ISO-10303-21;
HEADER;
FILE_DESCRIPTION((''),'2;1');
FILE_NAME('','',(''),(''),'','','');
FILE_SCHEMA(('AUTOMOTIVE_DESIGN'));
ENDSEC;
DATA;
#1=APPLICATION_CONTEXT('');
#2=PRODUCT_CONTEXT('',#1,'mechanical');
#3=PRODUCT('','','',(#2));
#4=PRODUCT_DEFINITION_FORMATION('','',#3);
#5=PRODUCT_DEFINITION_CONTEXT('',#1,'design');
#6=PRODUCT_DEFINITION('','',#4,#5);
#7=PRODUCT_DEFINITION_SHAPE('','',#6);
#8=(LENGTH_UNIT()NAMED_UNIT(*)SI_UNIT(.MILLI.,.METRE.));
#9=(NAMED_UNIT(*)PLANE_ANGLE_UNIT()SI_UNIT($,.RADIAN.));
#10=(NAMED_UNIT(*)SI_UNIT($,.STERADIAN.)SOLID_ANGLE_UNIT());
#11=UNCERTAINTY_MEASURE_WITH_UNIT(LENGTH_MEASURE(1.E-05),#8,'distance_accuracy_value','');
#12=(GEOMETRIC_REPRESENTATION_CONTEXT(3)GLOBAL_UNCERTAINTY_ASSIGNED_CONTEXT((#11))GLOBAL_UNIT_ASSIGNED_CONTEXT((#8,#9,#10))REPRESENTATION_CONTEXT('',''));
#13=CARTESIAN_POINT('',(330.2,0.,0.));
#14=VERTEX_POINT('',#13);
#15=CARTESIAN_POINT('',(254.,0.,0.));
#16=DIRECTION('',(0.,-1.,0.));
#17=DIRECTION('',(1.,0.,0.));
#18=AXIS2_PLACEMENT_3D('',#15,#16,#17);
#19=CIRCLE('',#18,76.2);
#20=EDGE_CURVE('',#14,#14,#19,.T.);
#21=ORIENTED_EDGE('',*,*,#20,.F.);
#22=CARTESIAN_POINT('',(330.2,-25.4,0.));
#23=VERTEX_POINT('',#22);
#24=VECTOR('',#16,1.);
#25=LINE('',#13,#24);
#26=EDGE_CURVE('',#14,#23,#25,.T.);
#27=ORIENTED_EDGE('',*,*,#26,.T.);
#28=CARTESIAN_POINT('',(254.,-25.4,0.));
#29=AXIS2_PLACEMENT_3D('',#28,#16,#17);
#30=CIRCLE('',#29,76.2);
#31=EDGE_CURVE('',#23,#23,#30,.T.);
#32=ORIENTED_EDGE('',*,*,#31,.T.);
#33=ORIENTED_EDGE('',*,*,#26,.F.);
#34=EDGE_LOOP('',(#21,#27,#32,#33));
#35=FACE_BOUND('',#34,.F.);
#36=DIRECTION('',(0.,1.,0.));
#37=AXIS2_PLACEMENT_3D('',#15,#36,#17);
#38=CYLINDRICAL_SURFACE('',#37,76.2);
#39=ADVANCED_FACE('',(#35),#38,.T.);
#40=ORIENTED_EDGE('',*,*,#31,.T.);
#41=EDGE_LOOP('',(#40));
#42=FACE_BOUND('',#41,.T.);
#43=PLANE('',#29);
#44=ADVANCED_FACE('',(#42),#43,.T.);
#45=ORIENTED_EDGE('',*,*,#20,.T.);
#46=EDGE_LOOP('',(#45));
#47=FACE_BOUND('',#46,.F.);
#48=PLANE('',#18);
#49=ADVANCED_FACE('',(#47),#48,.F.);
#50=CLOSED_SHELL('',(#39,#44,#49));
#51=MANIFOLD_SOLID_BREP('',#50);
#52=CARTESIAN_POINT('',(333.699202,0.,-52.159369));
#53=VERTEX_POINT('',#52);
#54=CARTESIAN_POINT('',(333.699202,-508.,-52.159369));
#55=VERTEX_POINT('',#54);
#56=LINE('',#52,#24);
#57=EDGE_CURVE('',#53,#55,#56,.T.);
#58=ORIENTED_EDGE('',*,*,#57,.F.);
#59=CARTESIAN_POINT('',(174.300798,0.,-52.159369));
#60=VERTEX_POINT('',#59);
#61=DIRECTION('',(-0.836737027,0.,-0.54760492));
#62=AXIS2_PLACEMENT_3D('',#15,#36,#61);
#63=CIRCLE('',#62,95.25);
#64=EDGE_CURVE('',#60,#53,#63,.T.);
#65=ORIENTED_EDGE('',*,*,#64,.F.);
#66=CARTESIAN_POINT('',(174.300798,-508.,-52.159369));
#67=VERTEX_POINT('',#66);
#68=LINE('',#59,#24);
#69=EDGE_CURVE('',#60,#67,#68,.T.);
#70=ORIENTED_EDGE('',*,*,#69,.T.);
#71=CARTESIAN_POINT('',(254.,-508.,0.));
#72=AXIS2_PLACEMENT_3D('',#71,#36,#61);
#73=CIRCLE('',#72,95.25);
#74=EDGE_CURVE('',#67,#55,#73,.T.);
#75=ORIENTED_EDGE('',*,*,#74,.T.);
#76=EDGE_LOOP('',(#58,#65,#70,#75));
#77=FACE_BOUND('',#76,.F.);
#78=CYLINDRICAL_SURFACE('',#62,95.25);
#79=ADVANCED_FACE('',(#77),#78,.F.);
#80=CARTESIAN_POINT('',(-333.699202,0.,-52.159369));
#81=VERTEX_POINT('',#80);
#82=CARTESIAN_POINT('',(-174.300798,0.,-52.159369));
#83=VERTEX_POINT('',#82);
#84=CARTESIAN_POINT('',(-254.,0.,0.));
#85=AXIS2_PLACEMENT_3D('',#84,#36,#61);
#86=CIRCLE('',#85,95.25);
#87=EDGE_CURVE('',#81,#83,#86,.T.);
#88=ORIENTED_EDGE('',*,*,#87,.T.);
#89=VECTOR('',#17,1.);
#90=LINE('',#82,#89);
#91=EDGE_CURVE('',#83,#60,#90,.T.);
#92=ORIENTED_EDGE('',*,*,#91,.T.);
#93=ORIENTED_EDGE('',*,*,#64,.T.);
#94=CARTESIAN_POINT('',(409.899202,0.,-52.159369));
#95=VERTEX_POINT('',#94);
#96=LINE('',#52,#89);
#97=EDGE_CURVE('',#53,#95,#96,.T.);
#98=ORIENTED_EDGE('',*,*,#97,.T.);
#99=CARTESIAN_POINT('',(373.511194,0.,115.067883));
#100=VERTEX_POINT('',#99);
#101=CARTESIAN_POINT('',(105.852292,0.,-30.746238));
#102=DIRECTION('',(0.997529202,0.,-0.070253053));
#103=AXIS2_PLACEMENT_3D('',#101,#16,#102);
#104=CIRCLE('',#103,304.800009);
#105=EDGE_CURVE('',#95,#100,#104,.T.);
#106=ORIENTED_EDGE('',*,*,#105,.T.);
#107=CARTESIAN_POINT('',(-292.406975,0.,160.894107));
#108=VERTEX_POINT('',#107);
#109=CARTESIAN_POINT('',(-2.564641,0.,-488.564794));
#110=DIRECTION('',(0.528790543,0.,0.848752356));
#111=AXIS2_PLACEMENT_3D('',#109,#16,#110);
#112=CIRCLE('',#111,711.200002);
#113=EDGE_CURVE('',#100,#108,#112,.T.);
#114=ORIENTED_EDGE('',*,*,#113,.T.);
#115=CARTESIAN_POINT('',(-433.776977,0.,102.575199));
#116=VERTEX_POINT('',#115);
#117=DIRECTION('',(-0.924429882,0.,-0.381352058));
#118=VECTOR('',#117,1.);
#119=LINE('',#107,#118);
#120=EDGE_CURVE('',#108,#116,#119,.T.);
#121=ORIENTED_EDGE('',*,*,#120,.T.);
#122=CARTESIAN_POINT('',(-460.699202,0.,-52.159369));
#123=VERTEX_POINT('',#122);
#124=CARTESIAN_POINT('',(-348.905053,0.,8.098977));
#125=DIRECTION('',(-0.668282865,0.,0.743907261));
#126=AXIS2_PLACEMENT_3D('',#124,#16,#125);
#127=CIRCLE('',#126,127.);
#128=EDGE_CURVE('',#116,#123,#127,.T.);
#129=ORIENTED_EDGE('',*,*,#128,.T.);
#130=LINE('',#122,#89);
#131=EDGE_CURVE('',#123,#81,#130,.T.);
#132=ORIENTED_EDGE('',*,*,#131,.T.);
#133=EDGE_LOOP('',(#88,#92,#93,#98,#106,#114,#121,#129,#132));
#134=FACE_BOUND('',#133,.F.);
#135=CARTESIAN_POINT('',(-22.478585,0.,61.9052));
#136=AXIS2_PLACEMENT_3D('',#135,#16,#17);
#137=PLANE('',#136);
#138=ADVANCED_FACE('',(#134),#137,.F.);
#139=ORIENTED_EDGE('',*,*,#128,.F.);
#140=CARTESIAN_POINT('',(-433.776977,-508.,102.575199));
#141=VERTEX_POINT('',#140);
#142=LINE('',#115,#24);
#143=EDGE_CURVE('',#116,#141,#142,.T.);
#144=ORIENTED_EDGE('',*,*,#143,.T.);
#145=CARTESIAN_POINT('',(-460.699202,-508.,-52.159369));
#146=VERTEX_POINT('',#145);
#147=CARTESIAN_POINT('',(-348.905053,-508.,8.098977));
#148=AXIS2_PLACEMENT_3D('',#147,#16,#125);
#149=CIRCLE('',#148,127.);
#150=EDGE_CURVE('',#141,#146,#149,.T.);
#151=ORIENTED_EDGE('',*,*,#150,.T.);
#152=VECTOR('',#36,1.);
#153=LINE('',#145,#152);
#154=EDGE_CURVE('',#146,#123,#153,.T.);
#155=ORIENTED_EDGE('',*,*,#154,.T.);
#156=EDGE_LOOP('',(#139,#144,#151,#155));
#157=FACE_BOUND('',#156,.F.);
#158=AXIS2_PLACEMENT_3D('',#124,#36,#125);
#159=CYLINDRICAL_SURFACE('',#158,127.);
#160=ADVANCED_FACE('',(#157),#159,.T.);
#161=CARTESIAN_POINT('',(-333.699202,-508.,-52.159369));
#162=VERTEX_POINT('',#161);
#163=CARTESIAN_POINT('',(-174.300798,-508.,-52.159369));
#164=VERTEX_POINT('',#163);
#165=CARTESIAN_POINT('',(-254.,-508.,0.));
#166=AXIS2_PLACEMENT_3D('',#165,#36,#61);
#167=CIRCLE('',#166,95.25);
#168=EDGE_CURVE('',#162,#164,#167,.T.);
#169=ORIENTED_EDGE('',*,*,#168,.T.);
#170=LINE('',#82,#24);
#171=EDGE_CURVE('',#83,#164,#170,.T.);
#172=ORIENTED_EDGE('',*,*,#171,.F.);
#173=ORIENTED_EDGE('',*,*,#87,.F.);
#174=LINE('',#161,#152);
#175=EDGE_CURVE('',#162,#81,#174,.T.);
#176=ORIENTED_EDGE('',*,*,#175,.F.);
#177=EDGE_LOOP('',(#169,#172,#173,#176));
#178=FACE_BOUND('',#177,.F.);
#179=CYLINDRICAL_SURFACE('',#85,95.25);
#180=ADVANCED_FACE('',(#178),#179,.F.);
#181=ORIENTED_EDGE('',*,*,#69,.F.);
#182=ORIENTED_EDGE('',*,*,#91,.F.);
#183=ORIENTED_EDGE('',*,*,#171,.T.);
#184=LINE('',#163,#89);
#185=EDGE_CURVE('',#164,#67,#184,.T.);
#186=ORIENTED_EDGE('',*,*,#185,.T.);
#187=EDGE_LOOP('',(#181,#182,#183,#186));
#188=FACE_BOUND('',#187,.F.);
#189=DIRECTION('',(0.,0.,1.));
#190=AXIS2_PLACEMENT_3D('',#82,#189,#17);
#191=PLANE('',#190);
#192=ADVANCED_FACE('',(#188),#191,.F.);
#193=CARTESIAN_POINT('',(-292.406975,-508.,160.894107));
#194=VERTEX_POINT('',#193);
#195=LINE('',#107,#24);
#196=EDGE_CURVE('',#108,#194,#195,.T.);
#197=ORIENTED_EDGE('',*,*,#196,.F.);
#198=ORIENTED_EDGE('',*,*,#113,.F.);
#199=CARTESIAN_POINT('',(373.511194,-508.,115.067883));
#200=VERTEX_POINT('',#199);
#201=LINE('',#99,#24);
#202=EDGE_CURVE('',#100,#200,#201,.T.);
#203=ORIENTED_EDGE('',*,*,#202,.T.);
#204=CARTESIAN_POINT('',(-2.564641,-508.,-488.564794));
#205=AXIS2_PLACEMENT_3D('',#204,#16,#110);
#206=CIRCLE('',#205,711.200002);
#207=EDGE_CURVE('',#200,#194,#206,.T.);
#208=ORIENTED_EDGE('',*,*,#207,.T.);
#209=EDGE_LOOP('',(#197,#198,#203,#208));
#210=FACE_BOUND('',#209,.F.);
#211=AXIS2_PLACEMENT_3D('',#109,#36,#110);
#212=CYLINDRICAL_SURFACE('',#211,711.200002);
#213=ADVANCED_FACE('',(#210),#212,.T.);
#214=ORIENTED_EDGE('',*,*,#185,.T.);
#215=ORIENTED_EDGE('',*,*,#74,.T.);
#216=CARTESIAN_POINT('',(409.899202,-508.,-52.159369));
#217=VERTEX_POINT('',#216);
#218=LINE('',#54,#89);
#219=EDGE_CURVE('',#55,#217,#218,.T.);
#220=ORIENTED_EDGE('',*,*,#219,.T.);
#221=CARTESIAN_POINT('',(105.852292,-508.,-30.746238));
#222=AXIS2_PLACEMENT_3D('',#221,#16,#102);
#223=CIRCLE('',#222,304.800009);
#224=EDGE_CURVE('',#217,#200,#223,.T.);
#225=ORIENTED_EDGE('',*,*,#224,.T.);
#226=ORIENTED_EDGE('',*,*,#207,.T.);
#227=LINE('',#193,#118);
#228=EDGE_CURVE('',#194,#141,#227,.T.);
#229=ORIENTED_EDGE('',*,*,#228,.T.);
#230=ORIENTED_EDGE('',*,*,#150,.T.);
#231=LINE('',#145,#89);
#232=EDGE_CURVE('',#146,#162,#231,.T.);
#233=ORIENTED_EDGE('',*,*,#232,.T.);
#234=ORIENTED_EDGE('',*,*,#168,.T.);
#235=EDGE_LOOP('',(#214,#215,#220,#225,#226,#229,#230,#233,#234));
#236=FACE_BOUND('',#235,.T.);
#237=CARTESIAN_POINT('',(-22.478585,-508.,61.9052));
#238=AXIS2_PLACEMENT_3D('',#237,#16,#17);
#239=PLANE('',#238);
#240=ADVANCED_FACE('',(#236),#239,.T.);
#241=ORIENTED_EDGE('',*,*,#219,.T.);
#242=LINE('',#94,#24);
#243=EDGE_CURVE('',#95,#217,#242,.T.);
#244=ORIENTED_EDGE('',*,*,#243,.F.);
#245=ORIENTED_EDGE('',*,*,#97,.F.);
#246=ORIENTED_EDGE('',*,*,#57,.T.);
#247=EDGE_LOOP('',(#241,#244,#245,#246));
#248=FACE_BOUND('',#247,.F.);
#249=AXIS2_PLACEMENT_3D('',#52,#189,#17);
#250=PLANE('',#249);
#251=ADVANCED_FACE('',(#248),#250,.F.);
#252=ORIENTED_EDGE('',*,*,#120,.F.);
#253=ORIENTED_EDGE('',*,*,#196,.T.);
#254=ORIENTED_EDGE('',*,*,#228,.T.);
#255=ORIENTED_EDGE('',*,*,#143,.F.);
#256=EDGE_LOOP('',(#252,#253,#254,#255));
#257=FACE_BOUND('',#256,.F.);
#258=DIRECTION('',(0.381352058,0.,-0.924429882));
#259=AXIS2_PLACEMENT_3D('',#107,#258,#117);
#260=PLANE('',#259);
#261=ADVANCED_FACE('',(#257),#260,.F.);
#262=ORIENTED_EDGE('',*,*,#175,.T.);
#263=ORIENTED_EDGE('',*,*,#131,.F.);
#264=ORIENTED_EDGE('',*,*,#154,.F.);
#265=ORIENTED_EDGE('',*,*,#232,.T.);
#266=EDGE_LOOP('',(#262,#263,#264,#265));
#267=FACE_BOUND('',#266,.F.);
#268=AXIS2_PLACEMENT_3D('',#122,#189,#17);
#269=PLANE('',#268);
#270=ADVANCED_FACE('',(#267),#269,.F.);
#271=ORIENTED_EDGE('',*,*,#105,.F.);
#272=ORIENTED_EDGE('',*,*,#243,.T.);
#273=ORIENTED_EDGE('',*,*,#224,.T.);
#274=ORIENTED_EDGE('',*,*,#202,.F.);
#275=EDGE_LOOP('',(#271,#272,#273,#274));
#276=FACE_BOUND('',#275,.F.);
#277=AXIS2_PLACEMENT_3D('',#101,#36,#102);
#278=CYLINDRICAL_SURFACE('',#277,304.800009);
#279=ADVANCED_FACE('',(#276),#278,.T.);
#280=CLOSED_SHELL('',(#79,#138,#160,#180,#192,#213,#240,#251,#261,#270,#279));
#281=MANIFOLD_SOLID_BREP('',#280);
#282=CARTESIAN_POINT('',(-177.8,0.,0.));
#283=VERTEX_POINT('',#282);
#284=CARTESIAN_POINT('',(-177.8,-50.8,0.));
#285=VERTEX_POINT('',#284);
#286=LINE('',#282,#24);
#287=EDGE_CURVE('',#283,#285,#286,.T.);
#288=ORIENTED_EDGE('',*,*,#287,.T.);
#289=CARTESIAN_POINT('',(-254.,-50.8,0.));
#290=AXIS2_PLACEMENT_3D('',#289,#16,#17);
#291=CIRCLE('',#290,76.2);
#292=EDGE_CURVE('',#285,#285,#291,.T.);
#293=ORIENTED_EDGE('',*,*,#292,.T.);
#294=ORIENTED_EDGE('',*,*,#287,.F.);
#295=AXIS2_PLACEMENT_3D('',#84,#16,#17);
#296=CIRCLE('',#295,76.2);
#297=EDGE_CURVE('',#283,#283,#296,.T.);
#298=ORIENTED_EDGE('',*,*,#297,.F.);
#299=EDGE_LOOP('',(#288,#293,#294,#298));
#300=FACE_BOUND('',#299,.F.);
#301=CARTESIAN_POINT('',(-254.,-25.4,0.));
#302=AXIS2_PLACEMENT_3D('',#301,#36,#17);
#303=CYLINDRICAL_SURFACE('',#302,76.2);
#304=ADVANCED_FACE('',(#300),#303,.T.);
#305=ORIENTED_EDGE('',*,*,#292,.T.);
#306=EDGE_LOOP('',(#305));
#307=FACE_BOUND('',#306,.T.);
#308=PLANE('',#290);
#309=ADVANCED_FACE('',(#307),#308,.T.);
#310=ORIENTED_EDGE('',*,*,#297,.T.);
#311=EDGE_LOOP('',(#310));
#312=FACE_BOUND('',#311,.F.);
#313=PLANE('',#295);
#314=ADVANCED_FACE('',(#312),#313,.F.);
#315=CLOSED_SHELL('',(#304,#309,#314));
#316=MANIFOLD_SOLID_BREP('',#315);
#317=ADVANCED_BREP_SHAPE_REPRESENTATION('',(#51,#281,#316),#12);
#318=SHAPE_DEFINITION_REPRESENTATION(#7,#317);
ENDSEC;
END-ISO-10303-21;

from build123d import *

# Parameters (mm, degrees)
F1_DEPTH = 508
F0_R     = 76.2
F2_DEPTH = 25.4
F3_R     = 76.2
F4_DEPTH = 25.4


with BuildPart() as f1:
    # F0 (on Front) → F1 (new body)
    with BuildSketch(Plane.XZ):
        with BuildLine():
            ThreePointArc((-333.699202, -52.159369), (-254, 95.25), (-174.300798, -52.159369))
            Line((-174.300798, -52.159369), (174.300798, -52.159369))
            ThreePointArc((174.300798, -52.159369), (254, 95.25), (333.699202, -52.159369))
            Line((333.699202, -52.159369), (409.899202, -52.159369))
            ThreePointArc((409.899202, -52.159369), (403.682986, 34.060578), (373.511194, 115.067883))
            ThreePointArc((373.511194, 115.067883), (46.262246, 220.957142), (-292.406975, 160.894107))
            Line((-292.406975, 160.894107), (-433.776977, 102.575199))
            ThreePointArc((-433.776977, 102.575199), (-474.025326, 29.868619), (-460.699202, -52.159369))
            Line((-460.699202, -52.159369), (-333.699202, -52.159369))
        make_face()
    extrude(amount=F1_DEPTH)

    # F0 (on Front) → F2 (join)
    with BuildSketch(Plane.XZ):
        with Locations((-254, 0)):
            Circle(F0_R)
        with Locations((254, 0)):
            Circle(F0_R)
        with BuildLine():
            ThreePointArc((-333.699202, -52.159369), (-254, 95.25), (-174.300798, -52.159369))
            Line((-174.300798, -52.159369), (174.300798, -52.159369))
            ThreePointArc((174.300798, -52.159369), (254, 95.25), (333.699202, -52.159369))
            Line((333.699202, -52.159369), (409.899202, -52.159369))
            ThreePointArc((409.899202, -52.159369), (403.682986, 34.060578), (373.511194, 115.067883))
            ThreePointArc((373.511194, 115.067883), (46.262246, 220.957142), (-292.406975, 160.894107))
            Line((-292.406975, 160.894107), (-433.776977, 102.575199))
            ThreePointArc((-433.776977, 102.575199), (-474.025326, 29.868619), (-460.699202, -52.159369))
            Line((-460.699202, -52.159369), (-333.699202, -52.159369))
        make_face()
    extrude(amount=F2_DEPTH)

    # F3 (on face) → F4 (join)
    with BuildSketch(Plane.XZ.offset(25.4)):
        with Locations((-254, 0)):
            Circle(F3_R)
    extrude(amount=F4_DEPTH)


solid = f1.part
